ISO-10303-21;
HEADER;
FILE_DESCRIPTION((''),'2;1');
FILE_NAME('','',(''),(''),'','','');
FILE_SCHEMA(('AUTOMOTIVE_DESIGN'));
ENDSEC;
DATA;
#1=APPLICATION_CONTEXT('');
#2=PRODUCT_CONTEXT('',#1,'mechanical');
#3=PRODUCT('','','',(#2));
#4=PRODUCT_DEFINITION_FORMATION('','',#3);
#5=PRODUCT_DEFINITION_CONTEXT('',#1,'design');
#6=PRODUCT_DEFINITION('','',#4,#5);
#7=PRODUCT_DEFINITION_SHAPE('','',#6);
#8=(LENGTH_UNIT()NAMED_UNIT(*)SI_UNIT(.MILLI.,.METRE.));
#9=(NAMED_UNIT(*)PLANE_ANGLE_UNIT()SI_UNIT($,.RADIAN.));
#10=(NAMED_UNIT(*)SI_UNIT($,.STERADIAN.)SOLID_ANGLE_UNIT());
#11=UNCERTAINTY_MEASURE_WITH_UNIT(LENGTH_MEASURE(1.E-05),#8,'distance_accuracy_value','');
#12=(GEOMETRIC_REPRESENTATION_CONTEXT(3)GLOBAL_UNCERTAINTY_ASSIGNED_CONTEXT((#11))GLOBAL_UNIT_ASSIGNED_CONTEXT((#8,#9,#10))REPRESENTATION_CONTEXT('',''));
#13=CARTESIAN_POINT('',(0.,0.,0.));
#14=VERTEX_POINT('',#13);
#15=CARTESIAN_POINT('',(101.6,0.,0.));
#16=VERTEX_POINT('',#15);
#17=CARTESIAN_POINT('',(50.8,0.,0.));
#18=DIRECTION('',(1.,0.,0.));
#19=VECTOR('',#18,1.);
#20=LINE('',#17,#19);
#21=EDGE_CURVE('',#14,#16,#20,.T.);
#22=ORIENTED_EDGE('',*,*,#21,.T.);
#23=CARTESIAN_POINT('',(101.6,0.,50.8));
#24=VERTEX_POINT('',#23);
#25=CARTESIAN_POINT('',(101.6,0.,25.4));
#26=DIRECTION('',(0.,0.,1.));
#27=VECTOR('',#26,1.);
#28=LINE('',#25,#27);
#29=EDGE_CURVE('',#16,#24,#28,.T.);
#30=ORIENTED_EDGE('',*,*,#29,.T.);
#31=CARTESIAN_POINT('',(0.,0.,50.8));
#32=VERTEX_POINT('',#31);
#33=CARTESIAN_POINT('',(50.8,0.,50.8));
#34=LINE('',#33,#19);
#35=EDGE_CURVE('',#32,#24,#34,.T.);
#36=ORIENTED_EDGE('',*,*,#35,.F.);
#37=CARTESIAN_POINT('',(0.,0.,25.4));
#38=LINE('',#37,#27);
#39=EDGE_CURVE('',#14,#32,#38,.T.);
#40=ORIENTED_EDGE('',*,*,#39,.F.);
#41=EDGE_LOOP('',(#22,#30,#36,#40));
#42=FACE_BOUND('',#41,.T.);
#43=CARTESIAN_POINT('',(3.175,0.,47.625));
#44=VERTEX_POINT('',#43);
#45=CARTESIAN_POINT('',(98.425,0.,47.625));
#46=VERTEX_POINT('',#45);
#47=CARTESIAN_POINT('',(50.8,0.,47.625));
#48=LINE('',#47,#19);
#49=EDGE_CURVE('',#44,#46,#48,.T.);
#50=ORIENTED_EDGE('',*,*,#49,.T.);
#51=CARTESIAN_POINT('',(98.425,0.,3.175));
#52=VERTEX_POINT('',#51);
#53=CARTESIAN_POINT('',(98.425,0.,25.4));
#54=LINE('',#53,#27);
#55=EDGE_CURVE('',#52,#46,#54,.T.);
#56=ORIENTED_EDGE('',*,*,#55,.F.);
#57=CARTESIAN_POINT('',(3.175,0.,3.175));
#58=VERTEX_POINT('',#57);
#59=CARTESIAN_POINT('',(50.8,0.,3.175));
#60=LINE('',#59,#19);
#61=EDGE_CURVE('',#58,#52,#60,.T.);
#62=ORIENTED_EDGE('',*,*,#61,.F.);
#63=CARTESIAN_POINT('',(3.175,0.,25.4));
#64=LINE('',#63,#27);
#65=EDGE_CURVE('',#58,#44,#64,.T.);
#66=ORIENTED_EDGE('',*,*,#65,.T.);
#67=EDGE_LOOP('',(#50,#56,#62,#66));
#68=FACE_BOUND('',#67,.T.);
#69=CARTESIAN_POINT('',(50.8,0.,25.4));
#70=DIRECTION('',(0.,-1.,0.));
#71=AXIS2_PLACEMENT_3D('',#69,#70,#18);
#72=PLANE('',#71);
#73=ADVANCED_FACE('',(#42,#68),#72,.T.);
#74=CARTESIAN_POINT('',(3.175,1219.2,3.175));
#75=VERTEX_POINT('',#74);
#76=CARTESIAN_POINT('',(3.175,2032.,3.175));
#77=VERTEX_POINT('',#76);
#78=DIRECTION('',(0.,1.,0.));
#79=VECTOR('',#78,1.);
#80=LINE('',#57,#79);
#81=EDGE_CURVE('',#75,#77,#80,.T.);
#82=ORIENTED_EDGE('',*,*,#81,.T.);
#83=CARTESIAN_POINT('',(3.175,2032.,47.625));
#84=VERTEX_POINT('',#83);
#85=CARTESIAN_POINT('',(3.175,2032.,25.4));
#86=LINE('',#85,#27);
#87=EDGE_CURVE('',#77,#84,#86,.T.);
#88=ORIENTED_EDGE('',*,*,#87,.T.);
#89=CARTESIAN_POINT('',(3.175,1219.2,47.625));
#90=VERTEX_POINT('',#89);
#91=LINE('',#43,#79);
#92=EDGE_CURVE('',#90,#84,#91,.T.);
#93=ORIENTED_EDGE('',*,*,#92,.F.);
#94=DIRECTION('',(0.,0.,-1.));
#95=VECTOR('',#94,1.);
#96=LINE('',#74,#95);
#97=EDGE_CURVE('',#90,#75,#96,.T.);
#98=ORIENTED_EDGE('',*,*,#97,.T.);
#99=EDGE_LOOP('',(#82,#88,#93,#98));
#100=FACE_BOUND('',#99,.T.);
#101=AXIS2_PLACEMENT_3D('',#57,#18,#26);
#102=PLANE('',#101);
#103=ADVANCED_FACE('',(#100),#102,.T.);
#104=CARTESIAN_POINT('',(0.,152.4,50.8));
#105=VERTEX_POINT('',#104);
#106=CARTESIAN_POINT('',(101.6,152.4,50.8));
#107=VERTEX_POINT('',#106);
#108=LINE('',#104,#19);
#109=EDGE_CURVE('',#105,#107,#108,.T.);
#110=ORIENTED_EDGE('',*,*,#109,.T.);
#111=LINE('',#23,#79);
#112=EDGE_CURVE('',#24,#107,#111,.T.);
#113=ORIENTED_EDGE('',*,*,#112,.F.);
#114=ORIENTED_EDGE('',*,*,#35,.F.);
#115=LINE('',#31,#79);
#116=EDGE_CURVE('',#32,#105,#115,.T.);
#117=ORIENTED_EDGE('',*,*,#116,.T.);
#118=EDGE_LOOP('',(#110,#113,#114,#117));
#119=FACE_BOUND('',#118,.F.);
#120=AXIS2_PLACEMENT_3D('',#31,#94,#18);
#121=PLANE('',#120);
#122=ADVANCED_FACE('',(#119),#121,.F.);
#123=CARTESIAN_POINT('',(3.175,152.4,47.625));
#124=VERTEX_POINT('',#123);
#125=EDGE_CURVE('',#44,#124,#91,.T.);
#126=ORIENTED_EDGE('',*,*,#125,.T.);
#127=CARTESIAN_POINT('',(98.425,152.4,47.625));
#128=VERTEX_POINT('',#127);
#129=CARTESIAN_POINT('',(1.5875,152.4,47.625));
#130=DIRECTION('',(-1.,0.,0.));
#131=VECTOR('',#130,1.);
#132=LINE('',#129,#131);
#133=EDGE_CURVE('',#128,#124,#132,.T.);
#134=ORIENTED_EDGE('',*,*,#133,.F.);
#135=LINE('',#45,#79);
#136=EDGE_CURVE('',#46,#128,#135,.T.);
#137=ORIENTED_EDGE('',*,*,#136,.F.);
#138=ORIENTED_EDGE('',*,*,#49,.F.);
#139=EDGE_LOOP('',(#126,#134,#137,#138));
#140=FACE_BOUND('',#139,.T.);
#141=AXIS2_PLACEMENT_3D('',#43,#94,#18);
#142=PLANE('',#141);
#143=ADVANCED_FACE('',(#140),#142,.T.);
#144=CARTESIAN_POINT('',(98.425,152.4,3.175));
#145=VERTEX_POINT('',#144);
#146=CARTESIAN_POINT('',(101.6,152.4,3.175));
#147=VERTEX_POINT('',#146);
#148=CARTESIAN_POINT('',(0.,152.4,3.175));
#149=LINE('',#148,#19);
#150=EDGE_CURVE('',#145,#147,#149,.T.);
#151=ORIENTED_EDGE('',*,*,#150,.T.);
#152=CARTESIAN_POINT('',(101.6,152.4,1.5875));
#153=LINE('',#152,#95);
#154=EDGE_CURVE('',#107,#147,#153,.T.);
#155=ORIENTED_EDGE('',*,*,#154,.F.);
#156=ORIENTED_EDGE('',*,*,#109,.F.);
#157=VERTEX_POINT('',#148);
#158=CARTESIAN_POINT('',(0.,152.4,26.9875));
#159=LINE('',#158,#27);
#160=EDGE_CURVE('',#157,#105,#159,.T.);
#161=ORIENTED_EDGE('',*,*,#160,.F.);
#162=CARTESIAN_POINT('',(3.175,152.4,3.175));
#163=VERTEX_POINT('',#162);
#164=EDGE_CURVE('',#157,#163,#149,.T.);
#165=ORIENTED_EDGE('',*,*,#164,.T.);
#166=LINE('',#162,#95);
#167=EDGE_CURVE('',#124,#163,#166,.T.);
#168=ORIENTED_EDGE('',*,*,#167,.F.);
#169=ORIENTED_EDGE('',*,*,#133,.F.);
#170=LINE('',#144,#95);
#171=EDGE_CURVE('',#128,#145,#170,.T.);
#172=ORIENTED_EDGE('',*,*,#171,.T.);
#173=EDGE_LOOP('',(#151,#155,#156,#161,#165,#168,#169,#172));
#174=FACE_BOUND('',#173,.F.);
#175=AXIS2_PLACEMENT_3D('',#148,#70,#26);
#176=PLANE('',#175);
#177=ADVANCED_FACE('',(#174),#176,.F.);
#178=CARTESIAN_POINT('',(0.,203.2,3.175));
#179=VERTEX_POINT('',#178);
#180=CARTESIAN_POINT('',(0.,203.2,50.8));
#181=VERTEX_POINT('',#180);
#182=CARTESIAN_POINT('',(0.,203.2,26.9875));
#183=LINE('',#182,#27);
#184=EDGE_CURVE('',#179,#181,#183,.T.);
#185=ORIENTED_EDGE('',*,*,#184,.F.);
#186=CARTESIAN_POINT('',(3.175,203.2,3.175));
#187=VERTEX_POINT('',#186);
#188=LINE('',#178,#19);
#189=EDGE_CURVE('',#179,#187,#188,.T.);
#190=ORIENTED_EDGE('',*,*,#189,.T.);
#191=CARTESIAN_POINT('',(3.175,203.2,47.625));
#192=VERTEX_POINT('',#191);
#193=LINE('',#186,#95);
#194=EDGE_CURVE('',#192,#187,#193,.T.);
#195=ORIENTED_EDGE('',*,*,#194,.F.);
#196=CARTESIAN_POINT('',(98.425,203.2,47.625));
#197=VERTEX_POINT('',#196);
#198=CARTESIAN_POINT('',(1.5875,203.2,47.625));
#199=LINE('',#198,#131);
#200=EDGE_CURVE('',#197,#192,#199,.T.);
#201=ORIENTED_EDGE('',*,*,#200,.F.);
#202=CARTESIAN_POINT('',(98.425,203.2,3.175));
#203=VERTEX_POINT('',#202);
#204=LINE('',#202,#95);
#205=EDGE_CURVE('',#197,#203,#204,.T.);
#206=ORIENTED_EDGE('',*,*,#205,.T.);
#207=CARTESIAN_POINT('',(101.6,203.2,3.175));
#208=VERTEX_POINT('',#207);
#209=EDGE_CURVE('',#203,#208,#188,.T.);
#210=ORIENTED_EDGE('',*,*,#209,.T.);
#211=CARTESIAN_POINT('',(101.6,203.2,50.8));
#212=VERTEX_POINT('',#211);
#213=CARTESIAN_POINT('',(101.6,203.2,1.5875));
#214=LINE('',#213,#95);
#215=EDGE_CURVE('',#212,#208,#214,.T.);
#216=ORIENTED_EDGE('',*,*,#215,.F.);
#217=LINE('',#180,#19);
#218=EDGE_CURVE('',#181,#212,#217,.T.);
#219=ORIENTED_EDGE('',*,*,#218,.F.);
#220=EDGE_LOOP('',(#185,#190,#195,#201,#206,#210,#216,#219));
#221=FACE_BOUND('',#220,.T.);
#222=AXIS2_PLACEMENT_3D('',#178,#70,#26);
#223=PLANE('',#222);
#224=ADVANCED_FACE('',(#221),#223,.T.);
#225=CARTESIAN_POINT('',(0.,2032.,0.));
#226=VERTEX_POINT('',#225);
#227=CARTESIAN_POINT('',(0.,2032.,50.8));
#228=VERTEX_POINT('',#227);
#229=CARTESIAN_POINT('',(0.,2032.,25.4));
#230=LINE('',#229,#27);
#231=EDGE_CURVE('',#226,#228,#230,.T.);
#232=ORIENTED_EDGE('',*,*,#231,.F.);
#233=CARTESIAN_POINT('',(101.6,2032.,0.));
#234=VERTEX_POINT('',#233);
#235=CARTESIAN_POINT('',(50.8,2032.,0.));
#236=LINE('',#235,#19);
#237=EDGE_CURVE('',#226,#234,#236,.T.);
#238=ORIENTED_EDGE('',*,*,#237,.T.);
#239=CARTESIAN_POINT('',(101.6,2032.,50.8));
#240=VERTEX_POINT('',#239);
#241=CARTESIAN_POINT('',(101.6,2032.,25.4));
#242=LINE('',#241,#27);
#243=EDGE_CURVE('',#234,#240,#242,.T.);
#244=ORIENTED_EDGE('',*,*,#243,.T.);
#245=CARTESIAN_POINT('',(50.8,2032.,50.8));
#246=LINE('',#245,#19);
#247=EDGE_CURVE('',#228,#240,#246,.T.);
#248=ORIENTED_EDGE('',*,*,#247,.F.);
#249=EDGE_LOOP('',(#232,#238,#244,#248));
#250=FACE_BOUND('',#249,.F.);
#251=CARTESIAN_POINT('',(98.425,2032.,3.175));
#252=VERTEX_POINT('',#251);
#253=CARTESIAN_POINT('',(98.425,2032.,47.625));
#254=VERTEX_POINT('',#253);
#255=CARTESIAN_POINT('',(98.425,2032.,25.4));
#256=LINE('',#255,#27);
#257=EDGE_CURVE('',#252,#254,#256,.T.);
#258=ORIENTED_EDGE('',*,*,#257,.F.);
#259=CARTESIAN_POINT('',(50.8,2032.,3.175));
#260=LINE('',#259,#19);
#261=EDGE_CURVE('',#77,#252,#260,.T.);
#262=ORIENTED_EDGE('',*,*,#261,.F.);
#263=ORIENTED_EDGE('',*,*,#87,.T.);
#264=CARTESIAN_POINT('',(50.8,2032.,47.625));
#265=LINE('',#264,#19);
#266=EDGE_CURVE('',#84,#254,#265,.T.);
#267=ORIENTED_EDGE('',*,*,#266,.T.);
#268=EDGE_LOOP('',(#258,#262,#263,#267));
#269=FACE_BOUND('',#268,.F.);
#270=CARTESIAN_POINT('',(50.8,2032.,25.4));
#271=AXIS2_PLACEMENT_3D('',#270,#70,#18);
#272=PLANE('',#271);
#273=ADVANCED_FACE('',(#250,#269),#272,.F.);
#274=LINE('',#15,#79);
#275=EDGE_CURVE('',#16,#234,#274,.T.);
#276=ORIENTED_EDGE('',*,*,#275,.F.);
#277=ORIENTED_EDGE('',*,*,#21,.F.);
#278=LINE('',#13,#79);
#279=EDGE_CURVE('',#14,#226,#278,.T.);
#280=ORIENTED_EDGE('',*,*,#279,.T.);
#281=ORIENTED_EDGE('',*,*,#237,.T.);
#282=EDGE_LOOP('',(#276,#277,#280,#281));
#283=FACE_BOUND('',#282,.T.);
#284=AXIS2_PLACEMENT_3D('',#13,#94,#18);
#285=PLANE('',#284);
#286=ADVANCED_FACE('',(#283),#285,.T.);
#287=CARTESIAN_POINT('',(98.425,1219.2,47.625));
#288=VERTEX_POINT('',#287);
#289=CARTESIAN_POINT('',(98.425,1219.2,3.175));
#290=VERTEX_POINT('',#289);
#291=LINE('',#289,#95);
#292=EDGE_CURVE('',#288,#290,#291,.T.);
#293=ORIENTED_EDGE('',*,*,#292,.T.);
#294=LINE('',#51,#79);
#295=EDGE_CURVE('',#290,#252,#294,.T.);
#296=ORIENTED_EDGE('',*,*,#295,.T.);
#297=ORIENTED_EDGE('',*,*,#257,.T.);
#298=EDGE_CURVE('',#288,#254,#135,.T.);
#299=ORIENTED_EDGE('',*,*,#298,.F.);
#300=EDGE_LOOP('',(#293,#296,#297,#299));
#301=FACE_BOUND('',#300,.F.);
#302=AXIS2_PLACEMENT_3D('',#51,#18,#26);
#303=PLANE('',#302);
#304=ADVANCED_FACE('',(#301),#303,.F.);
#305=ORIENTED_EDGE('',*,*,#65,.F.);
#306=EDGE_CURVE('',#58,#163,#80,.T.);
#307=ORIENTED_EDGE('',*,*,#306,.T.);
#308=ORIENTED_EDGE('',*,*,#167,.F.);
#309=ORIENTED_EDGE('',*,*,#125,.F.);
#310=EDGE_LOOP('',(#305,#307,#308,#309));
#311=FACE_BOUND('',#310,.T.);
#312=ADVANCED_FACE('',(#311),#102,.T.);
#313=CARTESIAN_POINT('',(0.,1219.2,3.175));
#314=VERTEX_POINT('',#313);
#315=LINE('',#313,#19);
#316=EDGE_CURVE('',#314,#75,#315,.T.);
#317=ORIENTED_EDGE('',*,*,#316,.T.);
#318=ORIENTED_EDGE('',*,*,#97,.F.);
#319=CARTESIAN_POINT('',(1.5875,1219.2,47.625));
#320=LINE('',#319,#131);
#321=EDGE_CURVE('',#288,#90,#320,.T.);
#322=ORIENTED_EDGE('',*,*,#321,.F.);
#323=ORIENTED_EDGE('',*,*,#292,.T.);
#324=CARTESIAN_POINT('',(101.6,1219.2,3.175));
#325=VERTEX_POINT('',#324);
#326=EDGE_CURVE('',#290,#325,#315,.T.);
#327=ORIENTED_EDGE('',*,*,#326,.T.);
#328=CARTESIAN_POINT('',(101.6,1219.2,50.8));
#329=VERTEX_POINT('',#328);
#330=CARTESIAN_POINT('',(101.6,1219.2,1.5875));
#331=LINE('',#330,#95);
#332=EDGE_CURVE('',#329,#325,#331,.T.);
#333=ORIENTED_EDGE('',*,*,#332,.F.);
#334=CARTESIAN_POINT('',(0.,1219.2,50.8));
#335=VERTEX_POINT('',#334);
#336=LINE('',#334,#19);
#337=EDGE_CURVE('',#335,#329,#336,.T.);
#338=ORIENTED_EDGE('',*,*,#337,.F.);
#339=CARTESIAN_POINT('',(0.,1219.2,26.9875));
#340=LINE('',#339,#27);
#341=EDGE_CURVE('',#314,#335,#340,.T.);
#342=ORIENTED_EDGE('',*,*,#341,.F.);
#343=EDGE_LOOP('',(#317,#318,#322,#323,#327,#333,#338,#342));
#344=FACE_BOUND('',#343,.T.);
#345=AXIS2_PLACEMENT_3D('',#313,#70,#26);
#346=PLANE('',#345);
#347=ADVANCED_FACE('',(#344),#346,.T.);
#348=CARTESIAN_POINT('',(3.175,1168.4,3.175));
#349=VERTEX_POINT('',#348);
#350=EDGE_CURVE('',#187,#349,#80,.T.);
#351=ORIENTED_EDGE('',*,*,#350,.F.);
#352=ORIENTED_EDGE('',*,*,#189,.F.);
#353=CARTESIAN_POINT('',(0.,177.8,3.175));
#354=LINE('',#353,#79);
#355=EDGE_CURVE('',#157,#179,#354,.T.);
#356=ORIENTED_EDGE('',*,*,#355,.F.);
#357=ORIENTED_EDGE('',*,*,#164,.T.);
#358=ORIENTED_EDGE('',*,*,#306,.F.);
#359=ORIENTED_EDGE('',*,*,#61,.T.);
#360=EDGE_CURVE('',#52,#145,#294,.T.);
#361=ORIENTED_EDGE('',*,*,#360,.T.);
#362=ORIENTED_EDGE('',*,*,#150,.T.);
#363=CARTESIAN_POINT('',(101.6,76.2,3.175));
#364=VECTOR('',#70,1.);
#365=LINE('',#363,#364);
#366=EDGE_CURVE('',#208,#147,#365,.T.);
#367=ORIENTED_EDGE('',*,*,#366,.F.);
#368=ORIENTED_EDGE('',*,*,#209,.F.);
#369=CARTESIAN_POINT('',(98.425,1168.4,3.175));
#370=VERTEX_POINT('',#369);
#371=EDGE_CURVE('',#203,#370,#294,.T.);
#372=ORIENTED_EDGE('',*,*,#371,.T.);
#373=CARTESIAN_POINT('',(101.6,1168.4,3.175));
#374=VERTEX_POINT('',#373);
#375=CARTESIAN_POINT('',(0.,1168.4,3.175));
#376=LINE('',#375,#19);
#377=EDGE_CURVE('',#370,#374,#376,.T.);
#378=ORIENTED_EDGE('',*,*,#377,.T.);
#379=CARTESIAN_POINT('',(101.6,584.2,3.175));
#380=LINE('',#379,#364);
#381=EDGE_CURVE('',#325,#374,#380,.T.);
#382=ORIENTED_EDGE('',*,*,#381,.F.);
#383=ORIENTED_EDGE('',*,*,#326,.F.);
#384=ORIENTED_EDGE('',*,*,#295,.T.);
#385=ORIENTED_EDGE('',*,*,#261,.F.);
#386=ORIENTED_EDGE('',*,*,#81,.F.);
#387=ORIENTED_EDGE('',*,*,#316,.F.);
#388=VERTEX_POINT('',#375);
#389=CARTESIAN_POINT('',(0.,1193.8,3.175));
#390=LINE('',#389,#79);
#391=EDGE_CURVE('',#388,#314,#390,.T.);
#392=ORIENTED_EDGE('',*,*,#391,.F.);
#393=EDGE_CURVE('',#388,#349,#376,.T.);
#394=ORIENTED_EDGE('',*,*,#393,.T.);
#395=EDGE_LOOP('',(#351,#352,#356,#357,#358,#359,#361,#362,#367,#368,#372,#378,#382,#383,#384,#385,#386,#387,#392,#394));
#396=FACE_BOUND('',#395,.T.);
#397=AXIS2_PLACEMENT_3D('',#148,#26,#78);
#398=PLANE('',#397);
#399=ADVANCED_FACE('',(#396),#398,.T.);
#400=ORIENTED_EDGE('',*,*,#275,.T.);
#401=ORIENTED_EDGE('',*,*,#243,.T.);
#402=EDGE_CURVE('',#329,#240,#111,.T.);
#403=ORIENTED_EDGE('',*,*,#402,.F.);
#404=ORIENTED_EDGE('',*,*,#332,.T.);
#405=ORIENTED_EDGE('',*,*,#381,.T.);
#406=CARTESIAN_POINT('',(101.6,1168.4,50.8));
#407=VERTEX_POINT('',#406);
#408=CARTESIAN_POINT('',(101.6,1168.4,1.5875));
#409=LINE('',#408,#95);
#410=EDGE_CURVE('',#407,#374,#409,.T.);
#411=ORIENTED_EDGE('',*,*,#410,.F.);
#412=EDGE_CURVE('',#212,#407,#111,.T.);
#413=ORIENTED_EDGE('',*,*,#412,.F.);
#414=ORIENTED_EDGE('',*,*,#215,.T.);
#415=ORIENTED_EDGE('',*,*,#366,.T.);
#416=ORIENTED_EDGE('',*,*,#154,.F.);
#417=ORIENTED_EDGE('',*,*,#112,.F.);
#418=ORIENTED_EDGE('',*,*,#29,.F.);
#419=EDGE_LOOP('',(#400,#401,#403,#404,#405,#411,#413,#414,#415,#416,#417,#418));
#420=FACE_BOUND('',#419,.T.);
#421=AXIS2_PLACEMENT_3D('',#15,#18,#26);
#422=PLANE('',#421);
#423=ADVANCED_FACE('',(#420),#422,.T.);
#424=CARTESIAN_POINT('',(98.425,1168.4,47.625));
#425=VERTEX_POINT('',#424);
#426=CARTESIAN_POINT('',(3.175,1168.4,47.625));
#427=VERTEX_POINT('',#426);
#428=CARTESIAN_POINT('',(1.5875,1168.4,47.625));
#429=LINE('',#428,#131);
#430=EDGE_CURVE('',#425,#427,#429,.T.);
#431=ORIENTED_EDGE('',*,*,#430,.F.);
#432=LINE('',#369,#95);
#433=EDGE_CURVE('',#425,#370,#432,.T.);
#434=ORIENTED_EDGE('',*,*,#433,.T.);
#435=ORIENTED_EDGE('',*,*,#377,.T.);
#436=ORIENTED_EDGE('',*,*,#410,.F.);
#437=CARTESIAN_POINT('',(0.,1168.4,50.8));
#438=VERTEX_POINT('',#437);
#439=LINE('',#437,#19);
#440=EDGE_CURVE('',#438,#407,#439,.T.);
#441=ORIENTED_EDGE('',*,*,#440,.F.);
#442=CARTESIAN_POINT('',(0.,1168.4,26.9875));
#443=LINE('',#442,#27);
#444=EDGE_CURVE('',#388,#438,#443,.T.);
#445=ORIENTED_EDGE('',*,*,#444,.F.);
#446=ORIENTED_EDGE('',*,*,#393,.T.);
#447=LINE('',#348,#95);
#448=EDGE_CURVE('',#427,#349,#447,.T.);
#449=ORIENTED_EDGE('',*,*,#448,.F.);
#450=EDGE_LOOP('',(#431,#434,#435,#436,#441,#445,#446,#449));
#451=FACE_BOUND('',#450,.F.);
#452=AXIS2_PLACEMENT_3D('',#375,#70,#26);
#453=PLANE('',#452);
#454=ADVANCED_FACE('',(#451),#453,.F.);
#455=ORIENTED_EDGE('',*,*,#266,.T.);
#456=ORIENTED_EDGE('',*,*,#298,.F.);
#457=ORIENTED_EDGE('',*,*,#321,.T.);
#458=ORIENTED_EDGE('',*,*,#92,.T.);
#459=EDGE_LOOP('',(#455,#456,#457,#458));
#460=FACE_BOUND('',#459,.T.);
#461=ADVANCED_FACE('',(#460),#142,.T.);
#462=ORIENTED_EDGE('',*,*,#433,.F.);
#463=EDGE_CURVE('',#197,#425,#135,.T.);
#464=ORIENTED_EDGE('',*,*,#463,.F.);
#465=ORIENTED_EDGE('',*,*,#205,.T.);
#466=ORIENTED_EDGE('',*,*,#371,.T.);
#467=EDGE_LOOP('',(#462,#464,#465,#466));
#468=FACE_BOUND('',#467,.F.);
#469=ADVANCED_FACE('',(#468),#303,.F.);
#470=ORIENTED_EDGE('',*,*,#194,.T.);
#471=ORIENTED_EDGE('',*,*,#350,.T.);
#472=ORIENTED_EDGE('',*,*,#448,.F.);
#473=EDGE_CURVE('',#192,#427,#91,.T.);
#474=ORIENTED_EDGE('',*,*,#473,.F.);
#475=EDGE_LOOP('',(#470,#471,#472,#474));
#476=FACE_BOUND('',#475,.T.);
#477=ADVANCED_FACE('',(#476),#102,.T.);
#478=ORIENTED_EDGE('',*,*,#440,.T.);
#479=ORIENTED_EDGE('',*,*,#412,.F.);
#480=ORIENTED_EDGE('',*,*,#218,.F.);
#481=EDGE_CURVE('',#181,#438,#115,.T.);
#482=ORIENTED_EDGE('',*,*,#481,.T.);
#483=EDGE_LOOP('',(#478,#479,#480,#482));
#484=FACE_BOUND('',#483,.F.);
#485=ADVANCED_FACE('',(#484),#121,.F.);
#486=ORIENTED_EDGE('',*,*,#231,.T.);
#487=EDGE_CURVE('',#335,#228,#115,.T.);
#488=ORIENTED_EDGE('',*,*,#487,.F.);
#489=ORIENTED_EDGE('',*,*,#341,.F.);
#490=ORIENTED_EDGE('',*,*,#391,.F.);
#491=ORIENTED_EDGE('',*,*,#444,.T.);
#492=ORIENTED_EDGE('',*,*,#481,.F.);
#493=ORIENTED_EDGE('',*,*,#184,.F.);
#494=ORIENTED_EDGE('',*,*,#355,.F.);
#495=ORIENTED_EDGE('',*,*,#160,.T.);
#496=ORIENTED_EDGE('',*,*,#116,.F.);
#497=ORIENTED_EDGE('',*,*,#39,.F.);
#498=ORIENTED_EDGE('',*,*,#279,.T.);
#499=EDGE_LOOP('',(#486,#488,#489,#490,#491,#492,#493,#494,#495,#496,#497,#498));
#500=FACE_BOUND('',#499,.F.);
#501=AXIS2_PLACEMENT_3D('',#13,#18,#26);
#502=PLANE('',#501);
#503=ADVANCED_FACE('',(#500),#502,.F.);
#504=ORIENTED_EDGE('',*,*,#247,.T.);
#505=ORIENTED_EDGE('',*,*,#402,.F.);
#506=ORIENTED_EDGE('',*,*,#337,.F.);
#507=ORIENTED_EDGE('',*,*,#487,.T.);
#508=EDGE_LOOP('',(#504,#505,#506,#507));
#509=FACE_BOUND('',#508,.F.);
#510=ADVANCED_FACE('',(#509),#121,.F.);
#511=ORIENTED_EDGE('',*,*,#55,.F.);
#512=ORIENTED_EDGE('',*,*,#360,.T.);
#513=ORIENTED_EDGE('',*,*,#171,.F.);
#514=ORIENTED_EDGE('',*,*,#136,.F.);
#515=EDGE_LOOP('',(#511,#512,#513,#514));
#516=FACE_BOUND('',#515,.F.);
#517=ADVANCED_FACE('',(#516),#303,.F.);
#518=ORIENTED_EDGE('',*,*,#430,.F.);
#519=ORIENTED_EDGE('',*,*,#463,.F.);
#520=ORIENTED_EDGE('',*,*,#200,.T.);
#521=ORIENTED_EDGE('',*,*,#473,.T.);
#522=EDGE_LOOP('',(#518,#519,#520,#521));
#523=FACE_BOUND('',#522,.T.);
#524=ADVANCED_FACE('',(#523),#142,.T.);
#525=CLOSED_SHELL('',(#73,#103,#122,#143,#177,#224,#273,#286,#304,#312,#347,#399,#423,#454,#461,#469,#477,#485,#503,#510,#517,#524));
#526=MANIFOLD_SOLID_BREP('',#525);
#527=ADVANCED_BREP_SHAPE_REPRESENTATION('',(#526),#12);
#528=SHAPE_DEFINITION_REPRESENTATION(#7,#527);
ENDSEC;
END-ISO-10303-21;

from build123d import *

# Parameters (mm, degrees)
F0_W     = 101.6
F0_H     = 50.8
F0_W_2   = 95.25
F0_H_2   = 44.45
F1_DEPTH = 2032
F2_W     = 50.8
F2_H     = 47.625
F3_DEPTH = 101.601


with BuildPart() as f1:
    # F0 (on Front) → F1 (new body)
    with BuildSketch(Plane.XZ):
        with Locations((50.8, 25.4)):
            Rectangle(F0_W, F0_H)
        with Locations((50.8, 25.4)):
            Rectangle(F0_W_2, F0_H_2, mode=Mode.SUBTRACT)
    extrude(amount=-F1_DEPTH)

    # F2 (on Right) → F3 (cut, through all)
    with BuildSketch(Plane.YZ):
        with Locations((177.8, 26.9875)):
            Rectangle(F2_W, F2_H)
        with Locations((1193.8, 26.9875)):
            Rectangle(F2_W, F2_H)
    extrude(amount=F3_DEPTH, mode=Mode.SUBTRACT)


solid = f1.part
